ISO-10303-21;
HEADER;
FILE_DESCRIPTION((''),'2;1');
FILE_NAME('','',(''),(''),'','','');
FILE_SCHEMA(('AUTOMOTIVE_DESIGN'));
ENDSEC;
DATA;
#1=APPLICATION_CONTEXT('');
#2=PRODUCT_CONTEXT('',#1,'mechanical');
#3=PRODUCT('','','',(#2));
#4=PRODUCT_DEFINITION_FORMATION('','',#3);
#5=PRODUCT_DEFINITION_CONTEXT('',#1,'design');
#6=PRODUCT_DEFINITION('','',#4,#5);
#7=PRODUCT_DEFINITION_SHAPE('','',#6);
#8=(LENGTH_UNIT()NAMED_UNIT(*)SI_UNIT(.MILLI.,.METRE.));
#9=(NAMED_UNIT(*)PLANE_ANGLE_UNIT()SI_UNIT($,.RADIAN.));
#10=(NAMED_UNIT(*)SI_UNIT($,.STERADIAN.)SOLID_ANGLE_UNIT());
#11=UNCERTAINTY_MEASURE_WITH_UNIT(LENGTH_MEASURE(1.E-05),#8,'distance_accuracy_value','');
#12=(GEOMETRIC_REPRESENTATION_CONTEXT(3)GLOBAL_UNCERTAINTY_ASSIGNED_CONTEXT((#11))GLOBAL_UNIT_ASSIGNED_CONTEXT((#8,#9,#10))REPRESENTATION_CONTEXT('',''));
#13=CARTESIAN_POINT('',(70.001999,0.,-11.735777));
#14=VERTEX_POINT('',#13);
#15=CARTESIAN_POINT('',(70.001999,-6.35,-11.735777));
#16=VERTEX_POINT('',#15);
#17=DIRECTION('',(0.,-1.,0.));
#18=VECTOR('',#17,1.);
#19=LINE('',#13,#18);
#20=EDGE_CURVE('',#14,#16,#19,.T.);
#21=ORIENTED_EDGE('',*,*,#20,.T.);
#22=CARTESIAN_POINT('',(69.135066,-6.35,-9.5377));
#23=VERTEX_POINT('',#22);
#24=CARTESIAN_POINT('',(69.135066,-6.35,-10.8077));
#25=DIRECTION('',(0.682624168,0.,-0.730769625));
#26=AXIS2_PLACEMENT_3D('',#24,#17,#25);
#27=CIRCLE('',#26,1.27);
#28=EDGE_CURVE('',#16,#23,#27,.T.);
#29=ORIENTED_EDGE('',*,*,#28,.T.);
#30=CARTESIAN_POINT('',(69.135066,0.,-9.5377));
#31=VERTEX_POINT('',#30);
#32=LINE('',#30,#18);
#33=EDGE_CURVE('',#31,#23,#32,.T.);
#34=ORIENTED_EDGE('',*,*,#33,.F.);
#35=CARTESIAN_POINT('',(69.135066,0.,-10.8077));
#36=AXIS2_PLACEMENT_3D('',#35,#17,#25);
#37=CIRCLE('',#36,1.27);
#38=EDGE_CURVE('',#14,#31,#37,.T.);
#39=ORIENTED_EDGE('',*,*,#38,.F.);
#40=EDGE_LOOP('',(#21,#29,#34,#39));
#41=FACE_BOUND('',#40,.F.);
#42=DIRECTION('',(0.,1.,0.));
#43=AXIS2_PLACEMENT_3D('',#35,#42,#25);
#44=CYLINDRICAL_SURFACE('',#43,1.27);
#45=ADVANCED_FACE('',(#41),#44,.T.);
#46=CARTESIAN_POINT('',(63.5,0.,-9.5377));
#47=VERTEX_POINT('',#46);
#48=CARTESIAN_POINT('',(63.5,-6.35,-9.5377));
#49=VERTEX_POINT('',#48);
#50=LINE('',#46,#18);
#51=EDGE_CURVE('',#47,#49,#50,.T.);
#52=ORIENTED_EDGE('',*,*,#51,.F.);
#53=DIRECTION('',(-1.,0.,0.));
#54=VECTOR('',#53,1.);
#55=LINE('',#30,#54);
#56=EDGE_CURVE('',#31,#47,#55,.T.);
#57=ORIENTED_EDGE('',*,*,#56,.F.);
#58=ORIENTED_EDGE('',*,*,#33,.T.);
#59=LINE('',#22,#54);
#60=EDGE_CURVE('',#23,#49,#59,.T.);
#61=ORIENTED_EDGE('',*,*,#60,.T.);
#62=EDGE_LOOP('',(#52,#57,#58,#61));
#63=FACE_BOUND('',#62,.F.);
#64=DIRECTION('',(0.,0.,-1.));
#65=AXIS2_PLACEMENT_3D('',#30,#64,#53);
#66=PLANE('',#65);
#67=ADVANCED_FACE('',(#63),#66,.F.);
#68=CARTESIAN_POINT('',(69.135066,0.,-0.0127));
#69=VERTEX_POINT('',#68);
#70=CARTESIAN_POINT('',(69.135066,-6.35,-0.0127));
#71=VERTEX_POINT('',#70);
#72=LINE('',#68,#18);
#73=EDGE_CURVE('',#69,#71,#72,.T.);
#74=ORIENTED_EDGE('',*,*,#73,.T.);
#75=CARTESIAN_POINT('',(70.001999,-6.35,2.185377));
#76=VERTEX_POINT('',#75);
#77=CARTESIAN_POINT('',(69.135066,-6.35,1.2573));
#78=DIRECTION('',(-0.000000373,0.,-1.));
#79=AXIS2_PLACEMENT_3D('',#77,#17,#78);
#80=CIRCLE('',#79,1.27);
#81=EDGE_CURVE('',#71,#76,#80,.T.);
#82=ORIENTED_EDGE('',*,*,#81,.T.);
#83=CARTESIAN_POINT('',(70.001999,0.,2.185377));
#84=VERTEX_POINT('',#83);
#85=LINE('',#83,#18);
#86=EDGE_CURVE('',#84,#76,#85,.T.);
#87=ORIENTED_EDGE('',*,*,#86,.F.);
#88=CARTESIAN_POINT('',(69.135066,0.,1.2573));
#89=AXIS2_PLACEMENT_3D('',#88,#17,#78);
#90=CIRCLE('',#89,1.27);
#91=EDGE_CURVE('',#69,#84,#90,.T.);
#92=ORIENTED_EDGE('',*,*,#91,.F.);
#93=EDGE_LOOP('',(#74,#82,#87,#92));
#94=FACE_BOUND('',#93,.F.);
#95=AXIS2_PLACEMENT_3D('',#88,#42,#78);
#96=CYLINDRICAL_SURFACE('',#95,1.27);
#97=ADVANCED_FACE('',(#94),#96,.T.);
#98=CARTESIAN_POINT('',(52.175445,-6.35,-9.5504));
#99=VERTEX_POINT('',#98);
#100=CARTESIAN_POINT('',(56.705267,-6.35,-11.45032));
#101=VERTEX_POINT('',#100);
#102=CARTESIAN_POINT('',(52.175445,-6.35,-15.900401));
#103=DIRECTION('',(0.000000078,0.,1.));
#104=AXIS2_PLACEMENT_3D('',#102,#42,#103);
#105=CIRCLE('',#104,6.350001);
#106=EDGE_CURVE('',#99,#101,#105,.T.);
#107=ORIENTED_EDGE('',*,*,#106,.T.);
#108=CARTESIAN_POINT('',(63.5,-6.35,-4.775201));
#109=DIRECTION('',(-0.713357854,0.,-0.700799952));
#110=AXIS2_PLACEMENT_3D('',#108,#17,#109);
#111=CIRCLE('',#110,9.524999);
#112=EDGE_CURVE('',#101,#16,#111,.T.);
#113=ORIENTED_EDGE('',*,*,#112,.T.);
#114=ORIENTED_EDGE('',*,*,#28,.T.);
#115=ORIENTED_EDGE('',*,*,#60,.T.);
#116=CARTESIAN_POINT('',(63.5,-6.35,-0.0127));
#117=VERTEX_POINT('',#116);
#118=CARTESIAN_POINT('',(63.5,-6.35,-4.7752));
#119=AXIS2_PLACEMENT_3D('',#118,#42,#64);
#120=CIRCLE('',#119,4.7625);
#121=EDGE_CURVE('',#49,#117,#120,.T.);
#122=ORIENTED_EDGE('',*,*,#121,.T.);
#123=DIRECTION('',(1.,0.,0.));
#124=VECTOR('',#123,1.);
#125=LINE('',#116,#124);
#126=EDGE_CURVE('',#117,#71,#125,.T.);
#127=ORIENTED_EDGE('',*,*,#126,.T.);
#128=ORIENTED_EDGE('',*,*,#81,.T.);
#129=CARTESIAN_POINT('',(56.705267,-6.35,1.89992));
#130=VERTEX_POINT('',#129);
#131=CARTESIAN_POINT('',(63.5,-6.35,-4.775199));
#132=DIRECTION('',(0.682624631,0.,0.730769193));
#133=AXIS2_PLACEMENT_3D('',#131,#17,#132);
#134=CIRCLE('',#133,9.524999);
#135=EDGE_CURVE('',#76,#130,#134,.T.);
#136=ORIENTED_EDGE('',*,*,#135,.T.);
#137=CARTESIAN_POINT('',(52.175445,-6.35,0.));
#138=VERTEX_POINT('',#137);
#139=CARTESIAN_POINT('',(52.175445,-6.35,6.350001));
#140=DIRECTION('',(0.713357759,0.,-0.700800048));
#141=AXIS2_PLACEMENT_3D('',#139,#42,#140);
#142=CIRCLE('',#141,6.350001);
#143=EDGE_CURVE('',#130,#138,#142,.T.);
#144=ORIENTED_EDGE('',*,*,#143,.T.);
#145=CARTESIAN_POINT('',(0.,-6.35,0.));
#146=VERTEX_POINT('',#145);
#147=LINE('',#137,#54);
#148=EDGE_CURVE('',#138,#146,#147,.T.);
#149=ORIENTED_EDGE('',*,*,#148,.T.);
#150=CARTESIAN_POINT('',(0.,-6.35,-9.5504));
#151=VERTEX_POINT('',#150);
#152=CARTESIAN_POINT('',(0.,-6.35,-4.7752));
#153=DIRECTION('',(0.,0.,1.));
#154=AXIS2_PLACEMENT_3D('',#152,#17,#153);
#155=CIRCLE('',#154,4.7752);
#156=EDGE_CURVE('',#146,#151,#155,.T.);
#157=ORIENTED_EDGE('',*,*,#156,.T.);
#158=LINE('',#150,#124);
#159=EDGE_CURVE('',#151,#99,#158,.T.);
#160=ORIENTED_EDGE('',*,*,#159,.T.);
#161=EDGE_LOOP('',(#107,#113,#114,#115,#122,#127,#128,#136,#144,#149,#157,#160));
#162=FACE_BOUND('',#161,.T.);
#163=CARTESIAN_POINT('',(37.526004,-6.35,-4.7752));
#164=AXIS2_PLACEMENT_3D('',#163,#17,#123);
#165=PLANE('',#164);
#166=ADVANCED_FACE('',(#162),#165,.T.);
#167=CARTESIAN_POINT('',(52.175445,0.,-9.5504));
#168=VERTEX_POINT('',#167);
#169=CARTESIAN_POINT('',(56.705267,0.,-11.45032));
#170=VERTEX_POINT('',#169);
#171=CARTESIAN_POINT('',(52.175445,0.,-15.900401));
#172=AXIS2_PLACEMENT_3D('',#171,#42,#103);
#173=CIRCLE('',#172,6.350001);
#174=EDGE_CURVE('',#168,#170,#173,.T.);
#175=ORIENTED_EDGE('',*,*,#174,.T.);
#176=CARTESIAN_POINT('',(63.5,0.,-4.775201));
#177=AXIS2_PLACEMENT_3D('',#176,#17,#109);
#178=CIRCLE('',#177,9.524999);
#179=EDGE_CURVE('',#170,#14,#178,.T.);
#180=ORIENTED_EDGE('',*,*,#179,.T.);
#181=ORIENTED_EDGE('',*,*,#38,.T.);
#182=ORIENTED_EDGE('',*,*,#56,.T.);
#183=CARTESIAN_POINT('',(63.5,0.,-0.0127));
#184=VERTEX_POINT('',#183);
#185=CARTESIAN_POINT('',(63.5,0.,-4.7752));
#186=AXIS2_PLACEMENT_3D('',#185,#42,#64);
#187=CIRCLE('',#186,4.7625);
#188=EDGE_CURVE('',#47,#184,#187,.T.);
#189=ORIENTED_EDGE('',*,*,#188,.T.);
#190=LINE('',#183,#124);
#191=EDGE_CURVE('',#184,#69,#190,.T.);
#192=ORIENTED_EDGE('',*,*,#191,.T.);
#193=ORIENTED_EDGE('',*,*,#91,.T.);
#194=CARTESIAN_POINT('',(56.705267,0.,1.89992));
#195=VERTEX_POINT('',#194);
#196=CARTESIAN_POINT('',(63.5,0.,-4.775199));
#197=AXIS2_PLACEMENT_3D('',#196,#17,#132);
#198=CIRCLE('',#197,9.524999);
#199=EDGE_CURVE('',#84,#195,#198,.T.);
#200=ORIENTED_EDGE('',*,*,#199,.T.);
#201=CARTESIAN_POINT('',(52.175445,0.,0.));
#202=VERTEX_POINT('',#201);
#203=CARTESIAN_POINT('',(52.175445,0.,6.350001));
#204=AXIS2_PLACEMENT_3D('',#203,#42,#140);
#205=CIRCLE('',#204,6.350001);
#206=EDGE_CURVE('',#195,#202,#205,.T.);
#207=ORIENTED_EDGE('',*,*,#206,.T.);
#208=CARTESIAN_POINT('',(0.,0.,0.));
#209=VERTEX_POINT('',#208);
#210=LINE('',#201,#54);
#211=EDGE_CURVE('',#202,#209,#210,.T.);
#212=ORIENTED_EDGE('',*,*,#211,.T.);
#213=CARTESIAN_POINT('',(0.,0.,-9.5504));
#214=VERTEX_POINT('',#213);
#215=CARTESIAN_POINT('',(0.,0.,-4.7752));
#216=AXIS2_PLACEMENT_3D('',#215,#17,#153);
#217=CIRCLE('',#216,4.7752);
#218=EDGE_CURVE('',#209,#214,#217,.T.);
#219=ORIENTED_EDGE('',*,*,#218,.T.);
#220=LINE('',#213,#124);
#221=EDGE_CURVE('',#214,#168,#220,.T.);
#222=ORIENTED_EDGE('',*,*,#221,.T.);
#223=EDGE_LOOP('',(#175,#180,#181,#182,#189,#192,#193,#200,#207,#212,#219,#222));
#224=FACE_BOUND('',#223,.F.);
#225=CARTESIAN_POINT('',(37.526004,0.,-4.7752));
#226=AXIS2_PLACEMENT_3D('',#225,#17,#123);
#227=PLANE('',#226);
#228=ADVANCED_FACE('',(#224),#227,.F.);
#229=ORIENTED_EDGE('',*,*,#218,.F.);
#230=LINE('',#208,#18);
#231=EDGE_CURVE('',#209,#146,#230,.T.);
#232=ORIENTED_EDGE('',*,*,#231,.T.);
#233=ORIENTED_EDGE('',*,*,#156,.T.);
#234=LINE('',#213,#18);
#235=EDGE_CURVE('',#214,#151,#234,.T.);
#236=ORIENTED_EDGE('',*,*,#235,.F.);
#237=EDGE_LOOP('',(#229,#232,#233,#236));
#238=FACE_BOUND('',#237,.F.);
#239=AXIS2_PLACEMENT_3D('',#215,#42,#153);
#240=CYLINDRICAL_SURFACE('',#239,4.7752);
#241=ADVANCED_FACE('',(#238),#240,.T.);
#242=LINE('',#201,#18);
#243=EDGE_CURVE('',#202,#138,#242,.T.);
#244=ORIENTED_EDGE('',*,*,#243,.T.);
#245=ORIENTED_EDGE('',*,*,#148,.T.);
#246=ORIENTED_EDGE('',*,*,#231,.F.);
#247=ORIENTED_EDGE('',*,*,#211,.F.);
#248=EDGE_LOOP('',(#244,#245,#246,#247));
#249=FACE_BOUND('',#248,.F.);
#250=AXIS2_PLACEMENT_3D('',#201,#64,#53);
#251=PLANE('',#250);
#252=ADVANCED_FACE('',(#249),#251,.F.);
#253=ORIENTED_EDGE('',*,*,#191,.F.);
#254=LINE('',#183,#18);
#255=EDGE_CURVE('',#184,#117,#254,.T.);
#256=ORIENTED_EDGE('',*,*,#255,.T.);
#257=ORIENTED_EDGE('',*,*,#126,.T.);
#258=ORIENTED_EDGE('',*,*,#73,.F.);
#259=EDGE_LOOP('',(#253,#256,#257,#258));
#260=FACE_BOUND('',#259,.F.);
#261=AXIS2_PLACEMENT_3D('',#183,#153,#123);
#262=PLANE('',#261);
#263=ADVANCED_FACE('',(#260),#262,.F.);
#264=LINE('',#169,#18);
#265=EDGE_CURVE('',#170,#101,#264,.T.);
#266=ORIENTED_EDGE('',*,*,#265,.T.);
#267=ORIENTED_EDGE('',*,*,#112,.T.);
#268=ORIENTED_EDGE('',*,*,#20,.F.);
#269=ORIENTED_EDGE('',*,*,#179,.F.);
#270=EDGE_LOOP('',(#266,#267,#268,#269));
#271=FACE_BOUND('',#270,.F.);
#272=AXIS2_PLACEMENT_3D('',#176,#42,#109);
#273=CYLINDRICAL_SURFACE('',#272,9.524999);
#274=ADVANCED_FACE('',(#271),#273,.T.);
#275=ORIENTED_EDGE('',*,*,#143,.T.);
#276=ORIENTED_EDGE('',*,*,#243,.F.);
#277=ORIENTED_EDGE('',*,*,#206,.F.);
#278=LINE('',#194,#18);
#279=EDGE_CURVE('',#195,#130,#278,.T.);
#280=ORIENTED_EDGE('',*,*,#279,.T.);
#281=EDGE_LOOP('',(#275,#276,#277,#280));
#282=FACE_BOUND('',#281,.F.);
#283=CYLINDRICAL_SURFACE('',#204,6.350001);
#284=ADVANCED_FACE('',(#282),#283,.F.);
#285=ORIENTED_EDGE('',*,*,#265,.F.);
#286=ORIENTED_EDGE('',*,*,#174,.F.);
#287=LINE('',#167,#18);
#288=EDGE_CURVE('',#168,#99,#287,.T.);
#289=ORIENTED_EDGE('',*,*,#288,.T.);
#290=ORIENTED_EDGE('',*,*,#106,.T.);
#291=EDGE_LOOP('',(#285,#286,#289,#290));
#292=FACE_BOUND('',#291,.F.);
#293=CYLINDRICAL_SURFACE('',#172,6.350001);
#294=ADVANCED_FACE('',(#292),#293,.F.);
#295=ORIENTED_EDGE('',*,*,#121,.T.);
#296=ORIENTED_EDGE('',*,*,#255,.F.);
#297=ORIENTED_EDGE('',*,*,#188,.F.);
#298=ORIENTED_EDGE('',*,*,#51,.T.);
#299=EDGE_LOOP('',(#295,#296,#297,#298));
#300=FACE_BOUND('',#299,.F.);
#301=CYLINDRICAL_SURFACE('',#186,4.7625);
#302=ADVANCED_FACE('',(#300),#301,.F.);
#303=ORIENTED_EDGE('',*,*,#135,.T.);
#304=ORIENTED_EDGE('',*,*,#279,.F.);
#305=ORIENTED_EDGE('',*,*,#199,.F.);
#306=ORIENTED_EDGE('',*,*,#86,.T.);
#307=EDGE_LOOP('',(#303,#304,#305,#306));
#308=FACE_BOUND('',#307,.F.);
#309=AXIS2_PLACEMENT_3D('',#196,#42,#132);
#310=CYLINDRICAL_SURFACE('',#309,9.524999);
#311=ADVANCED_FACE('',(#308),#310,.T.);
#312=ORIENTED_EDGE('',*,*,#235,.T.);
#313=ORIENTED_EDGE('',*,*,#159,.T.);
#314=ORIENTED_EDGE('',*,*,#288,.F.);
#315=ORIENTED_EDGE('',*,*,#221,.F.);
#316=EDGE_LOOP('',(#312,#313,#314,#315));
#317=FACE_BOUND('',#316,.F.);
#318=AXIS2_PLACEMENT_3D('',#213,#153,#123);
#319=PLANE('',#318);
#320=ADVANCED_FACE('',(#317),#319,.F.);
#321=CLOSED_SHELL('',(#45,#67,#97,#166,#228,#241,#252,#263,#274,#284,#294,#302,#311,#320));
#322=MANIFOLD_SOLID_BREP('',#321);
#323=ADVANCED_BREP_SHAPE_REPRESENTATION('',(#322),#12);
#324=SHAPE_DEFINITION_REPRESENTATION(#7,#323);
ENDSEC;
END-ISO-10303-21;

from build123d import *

# Parameters (mm, degrees)
F1_DEPTH = 6.35


with BuildPart() as f1:
    # F0 (on Front) → F1 (new body)
    with BuildSketch(Plane.XZ):
        with BuildLine():
            Line((52.175445, 0), (0, 0))
            ThreePointArc((0, 0), (-4.7752, -4.7752), (0, -9.5504))
            Line((0, -9.5504), (52.175445, -9.5504))
            ThreePointArc((52.175445, -9.5504), (54.631508, -10.044612), (56.705267, -11.45032))
            ThreePointArc((56.705267, -11.45032), (63.295562, -14.298006), (70.001999, -11.735777))
            ThreePointArc((70.001999, -11.735777), (70.316497, -10.341737), (69.135066, -9.5377))
            Line((69.135066, -9.5377), (63.5, -9.5377))
            ThreePointArc((63.5, -9.5377), (58.7375, -4.7752), (63.5, -0.0127))
            Line((63.5, -0.0127), (69.135066, -0.0127))
            ThreePointArc((69.135066, -0.0127), (70.316497, 0.791337), (70.001999, 2.185377))
            ThreePointArc((70.001999, 2.185377), (63.295562, 4.747606), (56.705267, 1.89992))
            ThreePointArc((56.705267, 1.89992), (54.631508, 0.494212), (52.175445, 0))
        make_face()
    extrude(amount=F1_DEPTH)


solid = f1.part
